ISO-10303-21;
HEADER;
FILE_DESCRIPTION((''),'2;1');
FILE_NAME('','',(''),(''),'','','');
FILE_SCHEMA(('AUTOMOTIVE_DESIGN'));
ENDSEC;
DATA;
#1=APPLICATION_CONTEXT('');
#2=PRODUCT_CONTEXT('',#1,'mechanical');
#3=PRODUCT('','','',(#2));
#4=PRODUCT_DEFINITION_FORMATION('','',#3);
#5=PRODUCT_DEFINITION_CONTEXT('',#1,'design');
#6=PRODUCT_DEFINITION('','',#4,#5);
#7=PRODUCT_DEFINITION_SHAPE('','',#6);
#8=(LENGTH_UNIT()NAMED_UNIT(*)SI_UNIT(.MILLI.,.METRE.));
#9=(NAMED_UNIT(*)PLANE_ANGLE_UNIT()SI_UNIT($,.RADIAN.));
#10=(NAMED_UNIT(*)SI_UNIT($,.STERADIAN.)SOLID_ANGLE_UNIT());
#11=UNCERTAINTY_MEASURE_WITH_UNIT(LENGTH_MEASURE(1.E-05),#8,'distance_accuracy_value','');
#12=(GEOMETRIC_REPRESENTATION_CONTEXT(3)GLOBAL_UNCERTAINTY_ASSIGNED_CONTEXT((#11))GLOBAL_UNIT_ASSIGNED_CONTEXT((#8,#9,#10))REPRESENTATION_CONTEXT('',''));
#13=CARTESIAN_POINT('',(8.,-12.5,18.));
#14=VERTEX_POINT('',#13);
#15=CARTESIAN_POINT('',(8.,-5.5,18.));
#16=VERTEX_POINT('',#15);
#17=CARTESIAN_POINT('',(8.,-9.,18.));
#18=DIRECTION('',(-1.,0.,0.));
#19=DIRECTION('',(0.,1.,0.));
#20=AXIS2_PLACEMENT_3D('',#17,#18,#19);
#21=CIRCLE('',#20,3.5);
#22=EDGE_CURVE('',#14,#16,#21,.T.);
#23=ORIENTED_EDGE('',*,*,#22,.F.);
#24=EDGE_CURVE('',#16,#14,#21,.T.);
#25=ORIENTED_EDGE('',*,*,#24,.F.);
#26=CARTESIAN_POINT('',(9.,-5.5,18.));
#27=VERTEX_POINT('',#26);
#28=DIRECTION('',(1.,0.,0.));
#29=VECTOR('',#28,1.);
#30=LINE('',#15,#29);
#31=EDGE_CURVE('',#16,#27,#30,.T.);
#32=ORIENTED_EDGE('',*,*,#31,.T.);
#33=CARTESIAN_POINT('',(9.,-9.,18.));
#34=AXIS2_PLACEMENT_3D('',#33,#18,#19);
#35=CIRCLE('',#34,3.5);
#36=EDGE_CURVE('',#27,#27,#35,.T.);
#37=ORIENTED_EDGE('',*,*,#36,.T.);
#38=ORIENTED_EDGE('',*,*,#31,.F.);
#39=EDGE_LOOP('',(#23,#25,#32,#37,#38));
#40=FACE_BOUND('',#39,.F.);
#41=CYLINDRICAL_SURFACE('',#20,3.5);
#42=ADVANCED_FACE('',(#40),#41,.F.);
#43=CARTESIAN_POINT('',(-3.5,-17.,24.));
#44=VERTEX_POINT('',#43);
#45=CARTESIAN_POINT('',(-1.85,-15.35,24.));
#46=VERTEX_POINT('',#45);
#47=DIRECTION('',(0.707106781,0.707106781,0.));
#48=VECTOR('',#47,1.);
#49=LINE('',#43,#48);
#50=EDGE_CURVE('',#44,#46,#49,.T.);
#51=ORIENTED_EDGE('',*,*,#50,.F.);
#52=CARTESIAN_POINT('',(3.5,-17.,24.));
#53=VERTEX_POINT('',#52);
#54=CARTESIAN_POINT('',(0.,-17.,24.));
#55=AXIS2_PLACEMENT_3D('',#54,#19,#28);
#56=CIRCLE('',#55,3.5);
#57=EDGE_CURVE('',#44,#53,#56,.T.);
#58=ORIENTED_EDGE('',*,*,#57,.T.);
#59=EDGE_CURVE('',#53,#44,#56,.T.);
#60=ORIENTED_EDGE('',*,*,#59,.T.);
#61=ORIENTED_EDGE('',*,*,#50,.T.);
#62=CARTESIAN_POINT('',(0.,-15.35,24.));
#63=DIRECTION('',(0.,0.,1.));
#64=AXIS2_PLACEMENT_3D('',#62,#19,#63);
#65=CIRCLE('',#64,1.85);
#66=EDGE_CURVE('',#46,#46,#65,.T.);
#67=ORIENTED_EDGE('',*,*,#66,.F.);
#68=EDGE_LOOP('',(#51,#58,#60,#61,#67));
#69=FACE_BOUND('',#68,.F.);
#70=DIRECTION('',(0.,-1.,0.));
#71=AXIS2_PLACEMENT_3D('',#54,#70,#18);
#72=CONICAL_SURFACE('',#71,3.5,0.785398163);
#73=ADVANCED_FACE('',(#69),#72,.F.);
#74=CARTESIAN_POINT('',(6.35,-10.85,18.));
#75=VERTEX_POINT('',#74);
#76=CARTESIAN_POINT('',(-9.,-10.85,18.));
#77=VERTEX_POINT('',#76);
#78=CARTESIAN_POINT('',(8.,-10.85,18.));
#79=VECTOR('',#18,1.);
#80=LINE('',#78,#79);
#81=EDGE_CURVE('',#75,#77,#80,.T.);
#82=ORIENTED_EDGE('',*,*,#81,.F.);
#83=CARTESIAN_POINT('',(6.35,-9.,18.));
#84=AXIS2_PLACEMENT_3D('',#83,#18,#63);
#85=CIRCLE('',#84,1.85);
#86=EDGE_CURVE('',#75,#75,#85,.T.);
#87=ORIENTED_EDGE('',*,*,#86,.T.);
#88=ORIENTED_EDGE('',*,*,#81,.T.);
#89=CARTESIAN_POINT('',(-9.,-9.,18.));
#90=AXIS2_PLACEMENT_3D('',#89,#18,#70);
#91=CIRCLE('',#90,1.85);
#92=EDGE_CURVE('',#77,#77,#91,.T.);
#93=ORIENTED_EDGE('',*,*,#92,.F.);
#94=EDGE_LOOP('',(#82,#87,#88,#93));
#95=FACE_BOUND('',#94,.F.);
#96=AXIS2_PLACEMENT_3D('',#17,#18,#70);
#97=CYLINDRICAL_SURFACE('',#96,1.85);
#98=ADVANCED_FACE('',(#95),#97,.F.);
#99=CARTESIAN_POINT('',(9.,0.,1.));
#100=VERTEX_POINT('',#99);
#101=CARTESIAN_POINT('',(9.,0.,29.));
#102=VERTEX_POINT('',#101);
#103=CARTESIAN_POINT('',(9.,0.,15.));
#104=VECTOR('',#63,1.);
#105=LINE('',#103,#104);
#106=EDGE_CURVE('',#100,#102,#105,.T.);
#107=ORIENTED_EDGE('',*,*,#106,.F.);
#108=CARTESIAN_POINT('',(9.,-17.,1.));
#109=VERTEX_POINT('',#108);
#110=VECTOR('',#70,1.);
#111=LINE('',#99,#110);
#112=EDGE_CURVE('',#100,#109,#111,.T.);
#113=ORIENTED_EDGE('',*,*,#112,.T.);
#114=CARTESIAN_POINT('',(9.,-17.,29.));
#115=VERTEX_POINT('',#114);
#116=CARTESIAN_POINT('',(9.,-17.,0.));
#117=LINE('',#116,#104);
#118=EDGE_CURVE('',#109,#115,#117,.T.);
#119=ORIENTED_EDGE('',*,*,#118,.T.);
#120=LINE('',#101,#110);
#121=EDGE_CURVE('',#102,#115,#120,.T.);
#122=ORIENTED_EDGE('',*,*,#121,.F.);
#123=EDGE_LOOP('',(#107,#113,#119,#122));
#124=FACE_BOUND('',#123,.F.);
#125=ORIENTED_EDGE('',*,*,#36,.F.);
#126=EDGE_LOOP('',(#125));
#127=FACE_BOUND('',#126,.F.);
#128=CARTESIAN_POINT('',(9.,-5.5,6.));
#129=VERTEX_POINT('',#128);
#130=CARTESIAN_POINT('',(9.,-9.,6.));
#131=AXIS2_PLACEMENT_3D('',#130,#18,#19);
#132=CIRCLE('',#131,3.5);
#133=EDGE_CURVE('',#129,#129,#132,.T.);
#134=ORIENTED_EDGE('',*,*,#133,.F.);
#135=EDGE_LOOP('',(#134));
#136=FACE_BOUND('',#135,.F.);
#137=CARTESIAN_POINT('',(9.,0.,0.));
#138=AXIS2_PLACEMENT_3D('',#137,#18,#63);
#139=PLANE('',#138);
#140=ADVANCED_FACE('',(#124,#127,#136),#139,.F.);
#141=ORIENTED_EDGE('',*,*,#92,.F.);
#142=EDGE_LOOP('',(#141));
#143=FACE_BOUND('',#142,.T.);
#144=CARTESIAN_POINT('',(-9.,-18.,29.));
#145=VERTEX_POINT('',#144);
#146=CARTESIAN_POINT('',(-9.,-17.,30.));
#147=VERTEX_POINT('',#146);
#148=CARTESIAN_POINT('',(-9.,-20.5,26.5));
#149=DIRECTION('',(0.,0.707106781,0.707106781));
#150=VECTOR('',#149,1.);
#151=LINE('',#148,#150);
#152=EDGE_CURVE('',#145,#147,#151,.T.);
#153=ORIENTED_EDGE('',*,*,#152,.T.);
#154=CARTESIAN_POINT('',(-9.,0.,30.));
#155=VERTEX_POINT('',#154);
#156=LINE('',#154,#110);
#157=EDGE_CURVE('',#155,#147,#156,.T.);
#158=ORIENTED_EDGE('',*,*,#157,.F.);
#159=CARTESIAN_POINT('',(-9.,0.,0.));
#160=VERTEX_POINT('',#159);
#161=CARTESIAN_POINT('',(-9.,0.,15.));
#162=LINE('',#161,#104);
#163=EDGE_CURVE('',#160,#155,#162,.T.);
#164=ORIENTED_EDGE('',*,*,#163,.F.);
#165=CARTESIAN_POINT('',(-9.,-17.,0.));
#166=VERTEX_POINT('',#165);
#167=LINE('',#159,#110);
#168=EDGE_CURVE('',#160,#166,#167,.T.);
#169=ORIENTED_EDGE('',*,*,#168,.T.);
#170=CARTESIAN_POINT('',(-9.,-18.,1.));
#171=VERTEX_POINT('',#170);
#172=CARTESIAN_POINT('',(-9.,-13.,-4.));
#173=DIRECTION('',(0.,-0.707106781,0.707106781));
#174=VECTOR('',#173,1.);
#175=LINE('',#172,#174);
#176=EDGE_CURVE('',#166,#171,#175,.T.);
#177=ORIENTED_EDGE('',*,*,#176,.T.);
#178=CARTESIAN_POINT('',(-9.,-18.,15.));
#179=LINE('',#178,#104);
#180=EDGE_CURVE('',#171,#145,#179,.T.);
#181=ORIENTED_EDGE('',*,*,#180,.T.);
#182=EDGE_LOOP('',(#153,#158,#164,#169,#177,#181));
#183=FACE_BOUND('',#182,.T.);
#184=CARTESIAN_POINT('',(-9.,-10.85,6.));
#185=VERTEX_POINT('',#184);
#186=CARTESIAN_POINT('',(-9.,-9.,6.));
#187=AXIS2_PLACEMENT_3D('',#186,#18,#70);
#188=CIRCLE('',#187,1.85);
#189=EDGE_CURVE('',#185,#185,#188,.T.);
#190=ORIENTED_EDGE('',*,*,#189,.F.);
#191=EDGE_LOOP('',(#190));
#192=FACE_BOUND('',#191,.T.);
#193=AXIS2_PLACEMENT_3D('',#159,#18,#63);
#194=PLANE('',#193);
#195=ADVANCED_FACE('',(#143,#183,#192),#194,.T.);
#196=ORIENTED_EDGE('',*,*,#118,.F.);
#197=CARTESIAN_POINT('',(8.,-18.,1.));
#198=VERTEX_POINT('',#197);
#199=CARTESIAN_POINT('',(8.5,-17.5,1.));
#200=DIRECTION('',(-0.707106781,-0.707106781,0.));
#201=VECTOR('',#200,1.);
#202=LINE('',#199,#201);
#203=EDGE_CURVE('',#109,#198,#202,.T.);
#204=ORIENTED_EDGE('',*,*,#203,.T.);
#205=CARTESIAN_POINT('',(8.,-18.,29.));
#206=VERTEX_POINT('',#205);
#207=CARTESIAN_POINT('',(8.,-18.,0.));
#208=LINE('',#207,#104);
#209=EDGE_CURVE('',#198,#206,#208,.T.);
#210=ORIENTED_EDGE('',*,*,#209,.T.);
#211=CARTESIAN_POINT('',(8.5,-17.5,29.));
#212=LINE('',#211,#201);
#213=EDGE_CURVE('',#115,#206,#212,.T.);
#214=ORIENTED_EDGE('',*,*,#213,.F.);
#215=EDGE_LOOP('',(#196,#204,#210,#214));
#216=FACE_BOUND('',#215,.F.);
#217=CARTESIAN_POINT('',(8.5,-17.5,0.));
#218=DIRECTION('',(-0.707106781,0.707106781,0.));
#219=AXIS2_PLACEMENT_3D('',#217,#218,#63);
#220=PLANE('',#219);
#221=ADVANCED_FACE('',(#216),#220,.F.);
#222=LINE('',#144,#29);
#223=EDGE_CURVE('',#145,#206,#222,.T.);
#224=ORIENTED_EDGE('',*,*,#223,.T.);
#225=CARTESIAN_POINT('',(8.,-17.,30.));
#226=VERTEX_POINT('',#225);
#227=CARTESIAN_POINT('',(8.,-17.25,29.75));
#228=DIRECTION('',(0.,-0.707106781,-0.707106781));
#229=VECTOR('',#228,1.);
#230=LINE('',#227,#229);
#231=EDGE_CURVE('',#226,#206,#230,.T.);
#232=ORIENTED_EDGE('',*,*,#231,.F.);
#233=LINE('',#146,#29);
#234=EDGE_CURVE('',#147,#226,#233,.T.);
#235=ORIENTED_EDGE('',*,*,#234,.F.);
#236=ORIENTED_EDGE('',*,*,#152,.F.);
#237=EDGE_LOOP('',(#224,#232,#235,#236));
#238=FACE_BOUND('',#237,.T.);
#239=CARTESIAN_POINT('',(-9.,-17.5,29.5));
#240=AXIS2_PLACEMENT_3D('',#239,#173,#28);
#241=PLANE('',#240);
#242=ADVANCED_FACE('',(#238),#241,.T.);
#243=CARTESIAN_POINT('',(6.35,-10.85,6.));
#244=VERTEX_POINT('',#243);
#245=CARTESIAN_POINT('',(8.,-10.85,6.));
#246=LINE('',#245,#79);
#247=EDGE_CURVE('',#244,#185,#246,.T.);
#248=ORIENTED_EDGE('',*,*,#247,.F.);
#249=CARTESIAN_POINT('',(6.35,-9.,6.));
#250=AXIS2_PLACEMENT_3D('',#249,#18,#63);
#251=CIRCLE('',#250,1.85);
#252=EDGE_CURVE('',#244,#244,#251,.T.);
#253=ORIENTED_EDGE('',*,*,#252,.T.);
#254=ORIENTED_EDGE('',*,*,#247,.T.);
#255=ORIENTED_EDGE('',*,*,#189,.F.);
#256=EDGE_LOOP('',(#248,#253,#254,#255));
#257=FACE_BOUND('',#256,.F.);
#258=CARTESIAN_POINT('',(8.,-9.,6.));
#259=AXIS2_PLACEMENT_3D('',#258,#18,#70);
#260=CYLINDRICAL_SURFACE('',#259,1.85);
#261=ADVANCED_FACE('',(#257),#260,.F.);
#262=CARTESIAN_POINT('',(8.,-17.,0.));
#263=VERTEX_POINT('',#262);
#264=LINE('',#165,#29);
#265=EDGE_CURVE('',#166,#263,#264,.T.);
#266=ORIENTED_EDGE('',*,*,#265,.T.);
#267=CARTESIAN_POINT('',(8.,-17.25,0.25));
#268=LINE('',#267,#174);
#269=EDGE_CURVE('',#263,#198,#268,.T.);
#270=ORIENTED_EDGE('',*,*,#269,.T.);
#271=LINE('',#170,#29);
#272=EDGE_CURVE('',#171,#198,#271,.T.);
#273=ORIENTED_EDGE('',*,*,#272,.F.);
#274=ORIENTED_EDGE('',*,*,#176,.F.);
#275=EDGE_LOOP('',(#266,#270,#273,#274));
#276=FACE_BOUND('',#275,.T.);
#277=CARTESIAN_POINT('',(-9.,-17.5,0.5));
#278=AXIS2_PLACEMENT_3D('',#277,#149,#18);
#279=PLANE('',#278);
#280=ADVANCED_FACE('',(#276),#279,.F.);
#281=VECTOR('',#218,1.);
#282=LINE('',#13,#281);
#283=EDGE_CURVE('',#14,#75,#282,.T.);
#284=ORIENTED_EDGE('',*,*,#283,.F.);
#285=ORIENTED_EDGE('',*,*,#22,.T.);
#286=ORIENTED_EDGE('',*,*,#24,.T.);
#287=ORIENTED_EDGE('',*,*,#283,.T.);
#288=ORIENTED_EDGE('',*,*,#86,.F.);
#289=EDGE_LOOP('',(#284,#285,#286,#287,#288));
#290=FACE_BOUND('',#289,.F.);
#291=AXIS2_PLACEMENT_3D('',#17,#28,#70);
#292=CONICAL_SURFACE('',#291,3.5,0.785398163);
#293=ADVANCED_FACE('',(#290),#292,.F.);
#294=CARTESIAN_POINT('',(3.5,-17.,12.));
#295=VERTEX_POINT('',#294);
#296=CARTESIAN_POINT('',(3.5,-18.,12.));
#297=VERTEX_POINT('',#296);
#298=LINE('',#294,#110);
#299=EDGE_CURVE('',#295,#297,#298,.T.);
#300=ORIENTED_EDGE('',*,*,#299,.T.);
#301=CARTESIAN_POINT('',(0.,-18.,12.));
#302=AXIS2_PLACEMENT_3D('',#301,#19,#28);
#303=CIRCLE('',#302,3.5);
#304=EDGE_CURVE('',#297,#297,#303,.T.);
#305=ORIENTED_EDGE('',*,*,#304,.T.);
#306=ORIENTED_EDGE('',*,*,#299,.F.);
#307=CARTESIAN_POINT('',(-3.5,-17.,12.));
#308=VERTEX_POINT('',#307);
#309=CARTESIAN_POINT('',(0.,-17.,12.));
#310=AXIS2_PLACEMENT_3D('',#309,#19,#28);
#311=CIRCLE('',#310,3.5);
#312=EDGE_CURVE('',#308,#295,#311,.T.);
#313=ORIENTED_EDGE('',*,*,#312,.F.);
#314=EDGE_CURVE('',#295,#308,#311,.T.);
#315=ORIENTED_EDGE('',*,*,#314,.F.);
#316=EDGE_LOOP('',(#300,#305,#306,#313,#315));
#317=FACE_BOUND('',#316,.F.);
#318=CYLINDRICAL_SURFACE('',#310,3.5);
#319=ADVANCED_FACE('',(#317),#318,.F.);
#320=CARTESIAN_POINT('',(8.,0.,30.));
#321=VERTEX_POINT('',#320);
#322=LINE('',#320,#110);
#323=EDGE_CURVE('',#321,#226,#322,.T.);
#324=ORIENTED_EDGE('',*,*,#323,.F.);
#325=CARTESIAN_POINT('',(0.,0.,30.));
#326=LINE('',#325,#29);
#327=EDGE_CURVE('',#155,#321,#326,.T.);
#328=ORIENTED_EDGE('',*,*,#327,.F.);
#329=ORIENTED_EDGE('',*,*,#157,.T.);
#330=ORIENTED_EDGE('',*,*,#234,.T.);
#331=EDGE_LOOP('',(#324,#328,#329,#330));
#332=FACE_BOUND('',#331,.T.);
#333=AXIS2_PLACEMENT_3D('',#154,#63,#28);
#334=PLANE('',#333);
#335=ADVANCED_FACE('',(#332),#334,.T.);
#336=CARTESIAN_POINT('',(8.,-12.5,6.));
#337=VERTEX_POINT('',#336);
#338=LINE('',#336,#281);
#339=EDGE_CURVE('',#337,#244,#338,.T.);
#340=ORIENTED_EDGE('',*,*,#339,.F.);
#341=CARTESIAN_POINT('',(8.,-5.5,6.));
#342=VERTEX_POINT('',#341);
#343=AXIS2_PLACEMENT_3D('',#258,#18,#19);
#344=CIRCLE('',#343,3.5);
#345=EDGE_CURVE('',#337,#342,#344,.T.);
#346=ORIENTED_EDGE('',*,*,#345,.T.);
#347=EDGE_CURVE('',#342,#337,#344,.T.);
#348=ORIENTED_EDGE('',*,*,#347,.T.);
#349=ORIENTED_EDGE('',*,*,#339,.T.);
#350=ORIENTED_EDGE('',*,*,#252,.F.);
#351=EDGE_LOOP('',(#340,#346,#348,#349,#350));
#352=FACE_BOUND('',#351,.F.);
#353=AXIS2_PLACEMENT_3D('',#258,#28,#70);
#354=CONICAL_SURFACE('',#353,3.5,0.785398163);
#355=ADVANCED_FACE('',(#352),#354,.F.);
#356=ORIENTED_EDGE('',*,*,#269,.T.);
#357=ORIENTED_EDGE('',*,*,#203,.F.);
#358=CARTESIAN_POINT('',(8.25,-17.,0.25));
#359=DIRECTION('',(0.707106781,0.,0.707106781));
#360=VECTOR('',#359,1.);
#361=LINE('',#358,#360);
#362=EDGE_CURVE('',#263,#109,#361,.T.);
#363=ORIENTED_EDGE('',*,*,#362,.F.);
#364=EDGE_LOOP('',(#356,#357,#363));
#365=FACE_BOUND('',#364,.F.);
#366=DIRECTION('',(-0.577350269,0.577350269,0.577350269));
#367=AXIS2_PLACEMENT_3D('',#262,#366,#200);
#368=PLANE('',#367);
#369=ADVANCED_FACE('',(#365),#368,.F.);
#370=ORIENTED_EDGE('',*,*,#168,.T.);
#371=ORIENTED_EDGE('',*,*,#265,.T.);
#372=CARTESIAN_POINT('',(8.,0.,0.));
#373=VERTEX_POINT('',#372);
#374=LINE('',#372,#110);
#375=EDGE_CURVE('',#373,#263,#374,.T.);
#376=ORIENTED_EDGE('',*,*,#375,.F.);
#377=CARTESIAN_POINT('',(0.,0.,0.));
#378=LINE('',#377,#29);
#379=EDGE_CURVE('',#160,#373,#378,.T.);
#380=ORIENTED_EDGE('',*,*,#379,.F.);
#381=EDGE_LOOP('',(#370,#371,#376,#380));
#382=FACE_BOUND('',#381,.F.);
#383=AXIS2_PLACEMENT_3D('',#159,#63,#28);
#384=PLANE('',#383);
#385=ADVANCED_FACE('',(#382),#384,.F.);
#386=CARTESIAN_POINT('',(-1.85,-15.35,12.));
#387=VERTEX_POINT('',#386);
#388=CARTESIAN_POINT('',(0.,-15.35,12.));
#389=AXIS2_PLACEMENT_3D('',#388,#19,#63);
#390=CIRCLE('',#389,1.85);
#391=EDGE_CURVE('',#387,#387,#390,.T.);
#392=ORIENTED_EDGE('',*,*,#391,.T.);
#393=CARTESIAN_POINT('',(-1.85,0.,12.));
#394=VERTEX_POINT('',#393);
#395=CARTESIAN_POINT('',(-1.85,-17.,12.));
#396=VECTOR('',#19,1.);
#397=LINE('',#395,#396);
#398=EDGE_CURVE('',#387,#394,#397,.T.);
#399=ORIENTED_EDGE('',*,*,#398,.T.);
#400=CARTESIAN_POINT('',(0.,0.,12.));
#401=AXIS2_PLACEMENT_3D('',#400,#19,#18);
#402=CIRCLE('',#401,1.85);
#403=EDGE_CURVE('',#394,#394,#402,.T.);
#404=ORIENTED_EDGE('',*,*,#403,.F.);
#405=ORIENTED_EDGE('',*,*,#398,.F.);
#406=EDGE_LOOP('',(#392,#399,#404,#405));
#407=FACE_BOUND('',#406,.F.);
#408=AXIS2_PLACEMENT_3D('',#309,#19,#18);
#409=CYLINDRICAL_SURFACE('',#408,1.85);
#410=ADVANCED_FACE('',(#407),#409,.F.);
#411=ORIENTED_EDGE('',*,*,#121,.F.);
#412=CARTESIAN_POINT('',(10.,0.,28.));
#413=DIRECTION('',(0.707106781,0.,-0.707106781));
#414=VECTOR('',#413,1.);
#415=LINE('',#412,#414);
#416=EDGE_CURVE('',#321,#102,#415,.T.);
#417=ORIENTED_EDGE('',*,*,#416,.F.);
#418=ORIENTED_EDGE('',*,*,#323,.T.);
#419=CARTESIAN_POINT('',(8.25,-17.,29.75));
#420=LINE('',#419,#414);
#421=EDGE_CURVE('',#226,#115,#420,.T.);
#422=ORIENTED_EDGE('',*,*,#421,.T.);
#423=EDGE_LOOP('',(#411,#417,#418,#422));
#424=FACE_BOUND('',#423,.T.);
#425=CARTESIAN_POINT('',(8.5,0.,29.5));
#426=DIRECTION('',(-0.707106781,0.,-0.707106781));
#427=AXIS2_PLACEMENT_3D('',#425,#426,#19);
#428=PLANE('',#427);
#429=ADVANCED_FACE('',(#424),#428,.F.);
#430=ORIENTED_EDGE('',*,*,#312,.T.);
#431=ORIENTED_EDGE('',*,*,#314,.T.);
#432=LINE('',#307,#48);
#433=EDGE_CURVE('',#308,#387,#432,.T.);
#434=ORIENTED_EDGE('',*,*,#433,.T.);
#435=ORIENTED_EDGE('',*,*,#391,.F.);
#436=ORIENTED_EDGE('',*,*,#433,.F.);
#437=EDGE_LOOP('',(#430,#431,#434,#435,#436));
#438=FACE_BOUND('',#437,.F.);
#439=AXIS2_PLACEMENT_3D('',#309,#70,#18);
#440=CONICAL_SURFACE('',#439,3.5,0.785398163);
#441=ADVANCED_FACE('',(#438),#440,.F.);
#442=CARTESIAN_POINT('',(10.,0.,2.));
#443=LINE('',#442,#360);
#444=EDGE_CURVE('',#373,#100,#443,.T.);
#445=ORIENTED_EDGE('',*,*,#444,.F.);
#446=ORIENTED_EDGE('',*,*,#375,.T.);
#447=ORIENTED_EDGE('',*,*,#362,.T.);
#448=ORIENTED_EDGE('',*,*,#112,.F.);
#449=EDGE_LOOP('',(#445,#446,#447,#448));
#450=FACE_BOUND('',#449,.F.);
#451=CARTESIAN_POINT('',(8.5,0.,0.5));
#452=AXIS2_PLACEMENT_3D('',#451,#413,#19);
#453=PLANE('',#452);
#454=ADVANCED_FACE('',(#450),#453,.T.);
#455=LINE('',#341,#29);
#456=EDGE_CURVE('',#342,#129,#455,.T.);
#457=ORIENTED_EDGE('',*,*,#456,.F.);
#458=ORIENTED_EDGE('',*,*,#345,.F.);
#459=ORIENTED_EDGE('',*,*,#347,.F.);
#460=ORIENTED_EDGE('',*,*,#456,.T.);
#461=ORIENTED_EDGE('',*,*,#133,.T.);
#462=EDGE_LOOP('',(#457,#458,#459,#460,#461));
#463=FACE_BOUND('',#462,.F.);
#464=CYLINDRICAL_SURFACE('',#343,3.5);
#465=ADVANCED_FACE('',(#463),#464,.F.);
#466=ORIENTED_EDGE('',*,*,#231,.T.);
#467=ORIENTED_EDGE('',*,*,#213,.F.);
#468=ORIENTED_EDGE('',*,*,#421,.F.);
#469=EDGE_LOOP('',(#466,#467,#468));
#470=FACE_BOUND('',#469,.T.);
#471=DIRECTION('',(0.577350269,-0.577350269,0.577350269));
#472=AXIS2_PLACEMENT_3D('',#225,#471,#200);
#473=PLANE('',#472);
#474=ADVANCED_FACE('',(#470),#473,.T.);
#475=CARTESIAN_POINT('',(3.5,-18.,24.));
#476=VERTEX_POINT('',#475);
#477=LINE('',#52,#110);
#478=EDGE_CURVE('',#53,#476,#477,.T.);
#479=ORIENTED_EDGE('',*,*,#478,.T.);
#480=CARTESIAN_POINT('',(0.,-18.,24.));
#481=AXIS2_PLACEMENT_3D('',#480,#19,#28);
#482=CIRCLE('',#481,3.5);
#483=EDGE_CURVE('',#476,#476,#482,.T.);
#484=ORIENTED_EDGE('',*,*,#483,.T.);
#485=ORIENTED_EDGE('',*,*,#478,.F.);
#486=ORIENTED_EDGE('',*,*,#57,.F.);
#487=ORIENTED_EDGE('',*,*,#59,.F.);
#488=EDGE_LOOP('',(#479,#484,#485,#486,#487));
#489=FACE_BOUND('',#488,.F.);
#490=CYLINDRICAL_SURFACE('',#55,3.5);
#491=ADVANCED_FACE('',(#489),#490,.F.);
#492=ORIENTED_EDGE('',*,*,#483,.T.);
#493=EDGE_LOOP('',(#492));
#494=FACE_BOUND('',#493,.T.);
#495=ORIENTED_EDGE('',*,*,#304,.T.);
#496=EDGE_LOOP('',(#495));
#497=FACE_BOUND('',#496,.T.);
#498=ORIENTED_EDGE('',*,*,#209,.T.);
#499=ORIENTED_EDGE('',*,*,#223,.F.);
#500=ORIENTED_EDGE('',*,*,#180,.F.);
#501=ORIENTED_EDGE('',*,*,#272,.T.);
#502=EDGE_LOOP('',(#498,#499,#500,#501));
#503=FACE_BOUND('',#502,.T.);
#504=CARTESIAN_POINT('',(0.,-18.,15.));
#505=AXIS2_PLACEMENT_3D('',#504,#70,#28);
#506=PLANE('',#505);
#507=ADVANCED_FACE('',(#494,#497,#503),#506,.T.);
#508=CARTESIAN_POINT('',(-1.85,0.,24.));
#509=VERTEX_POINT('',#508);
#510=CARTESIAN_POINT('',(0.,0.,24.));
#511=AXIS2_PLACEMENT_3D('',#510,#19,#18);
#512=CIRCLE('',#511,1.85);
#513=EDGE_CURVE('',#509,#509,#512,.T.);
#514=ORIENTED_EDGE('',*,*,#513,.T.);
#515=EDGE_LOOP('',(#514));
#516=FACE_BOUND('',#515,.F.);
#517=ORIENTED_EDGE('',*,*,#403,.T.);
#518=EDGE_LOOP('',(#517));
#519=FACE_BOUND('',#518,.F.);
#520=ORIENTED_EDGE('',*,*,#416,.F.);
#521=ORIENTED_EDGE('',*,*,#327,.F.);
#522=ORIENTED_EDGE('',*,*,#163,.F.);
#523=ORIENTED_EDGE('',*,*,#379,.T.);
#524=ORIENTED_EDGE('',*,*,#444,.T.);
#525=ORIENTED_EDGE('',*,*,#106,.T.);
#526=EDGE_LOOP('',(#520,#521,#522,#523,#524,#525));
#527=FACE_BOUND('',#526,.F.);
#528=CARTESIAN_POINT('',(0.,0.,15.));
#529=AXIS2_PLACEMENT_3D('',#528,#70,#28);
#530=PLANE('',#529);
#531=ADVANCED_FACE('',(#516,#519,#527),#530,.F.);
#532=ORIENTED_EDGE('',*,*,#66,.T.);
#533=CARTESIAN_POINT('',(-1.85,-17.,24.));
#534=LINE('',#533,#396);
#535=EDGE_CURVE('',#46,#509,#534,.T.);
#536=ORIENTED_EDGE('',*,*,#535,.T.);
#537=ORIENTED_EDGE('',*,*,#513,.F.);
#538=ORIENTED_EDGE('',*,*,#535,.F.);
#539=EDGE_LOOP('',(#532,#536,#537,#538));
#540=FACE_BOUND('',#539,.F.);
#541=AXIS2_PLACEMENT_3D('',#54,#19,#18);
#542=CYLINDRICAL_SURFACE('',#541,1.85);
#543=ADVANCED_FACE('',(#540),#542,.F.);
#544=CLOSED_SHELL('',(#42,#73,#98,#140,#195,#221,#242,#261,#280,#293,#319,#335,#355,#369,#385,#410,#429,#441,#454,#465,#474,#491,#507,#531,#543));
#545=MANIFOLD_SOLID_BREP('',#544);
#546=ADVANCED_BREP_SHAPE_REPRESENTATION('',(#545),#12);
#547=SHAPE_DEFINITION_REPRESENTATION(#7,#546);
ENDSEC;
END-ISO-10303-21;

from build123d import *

# Parameters (mm, degrees)
F0_W           = 18
F0_H           = 30
F1_DEPTH       = 18
F4_D           = 7
F4_DEPTH       = 1.001
F5_D           = 3.7
F5_CSINK_D     = 7
F5_CSINK_ANGLE = 90
F8_D           = 7
F8_DEPTH       = 1.001
F9_D           = 3.7
F9_CSINK_D     = 7
F9_CSINK_ANGLE = 90
F10_SIZE       = 1


with BuildPart() as f1:
    # F0 (on Front) → F1 (new body)
    with BuildSketch(Plane.XZ):
        with Locations((0, 15)):
            Rectangle(F0_W, F0_H)
    extrude(amount=F1_DEPTH)

    # F4 (through all, one way)
    with BuildSketch(Plane(origin=(0, -17, 0), x_dir=(1, 0, 0), z_dir=(0, 1, 0))):
        with Locations((0, -24), (0, -12)):
            Circle(F4_D / 2)
    extrude(amount=-F4_DEPTH, mode=Mode.SUBTRACT)

    # F5 (through all)
    with Locations(Plane.XZ.offset(17)):
        with Locations((0, 24), (0, 12)):
            CounterSinkHole(F5_D / 2, F5_CSINK_D / 2, counter_sink_angle=F5_CSINK_ANGLE)

    # F8 (through all, one way)
    with BuildSketch(Plane(origin=(8, 0, 0), x_dir=(0, 1, 0), z_dir=(-1, 0, 0))):
        with Locations((-9, -18), (-9, -6)):
            Circle(F8_D / 2)
    extrude(amount=-F8_DEPTH, mode=Mode.SUBTRACT)

    # F9 (through all)
    with Locations(Plane.YZ.offset(8)):
        with Locations((-9, 18), (-9, 6)):
            CounterSinkHole(F9_D / 2, F9_CSINK_D / 2, counter_sink_angle=F9_CSINK_ANGLE)

    # F10
    f10_edges = [f1.edges().sort_by_distance(p)[0] for p in [
        (9, -18, 15),
        (9, -9, 30),
        (0, -18, 30),
        (9, -9, 0),
        (0, -18, 0),
    ]]
    chamfer(f10_edges, length=F10_SIZE)


solid = f1.part
